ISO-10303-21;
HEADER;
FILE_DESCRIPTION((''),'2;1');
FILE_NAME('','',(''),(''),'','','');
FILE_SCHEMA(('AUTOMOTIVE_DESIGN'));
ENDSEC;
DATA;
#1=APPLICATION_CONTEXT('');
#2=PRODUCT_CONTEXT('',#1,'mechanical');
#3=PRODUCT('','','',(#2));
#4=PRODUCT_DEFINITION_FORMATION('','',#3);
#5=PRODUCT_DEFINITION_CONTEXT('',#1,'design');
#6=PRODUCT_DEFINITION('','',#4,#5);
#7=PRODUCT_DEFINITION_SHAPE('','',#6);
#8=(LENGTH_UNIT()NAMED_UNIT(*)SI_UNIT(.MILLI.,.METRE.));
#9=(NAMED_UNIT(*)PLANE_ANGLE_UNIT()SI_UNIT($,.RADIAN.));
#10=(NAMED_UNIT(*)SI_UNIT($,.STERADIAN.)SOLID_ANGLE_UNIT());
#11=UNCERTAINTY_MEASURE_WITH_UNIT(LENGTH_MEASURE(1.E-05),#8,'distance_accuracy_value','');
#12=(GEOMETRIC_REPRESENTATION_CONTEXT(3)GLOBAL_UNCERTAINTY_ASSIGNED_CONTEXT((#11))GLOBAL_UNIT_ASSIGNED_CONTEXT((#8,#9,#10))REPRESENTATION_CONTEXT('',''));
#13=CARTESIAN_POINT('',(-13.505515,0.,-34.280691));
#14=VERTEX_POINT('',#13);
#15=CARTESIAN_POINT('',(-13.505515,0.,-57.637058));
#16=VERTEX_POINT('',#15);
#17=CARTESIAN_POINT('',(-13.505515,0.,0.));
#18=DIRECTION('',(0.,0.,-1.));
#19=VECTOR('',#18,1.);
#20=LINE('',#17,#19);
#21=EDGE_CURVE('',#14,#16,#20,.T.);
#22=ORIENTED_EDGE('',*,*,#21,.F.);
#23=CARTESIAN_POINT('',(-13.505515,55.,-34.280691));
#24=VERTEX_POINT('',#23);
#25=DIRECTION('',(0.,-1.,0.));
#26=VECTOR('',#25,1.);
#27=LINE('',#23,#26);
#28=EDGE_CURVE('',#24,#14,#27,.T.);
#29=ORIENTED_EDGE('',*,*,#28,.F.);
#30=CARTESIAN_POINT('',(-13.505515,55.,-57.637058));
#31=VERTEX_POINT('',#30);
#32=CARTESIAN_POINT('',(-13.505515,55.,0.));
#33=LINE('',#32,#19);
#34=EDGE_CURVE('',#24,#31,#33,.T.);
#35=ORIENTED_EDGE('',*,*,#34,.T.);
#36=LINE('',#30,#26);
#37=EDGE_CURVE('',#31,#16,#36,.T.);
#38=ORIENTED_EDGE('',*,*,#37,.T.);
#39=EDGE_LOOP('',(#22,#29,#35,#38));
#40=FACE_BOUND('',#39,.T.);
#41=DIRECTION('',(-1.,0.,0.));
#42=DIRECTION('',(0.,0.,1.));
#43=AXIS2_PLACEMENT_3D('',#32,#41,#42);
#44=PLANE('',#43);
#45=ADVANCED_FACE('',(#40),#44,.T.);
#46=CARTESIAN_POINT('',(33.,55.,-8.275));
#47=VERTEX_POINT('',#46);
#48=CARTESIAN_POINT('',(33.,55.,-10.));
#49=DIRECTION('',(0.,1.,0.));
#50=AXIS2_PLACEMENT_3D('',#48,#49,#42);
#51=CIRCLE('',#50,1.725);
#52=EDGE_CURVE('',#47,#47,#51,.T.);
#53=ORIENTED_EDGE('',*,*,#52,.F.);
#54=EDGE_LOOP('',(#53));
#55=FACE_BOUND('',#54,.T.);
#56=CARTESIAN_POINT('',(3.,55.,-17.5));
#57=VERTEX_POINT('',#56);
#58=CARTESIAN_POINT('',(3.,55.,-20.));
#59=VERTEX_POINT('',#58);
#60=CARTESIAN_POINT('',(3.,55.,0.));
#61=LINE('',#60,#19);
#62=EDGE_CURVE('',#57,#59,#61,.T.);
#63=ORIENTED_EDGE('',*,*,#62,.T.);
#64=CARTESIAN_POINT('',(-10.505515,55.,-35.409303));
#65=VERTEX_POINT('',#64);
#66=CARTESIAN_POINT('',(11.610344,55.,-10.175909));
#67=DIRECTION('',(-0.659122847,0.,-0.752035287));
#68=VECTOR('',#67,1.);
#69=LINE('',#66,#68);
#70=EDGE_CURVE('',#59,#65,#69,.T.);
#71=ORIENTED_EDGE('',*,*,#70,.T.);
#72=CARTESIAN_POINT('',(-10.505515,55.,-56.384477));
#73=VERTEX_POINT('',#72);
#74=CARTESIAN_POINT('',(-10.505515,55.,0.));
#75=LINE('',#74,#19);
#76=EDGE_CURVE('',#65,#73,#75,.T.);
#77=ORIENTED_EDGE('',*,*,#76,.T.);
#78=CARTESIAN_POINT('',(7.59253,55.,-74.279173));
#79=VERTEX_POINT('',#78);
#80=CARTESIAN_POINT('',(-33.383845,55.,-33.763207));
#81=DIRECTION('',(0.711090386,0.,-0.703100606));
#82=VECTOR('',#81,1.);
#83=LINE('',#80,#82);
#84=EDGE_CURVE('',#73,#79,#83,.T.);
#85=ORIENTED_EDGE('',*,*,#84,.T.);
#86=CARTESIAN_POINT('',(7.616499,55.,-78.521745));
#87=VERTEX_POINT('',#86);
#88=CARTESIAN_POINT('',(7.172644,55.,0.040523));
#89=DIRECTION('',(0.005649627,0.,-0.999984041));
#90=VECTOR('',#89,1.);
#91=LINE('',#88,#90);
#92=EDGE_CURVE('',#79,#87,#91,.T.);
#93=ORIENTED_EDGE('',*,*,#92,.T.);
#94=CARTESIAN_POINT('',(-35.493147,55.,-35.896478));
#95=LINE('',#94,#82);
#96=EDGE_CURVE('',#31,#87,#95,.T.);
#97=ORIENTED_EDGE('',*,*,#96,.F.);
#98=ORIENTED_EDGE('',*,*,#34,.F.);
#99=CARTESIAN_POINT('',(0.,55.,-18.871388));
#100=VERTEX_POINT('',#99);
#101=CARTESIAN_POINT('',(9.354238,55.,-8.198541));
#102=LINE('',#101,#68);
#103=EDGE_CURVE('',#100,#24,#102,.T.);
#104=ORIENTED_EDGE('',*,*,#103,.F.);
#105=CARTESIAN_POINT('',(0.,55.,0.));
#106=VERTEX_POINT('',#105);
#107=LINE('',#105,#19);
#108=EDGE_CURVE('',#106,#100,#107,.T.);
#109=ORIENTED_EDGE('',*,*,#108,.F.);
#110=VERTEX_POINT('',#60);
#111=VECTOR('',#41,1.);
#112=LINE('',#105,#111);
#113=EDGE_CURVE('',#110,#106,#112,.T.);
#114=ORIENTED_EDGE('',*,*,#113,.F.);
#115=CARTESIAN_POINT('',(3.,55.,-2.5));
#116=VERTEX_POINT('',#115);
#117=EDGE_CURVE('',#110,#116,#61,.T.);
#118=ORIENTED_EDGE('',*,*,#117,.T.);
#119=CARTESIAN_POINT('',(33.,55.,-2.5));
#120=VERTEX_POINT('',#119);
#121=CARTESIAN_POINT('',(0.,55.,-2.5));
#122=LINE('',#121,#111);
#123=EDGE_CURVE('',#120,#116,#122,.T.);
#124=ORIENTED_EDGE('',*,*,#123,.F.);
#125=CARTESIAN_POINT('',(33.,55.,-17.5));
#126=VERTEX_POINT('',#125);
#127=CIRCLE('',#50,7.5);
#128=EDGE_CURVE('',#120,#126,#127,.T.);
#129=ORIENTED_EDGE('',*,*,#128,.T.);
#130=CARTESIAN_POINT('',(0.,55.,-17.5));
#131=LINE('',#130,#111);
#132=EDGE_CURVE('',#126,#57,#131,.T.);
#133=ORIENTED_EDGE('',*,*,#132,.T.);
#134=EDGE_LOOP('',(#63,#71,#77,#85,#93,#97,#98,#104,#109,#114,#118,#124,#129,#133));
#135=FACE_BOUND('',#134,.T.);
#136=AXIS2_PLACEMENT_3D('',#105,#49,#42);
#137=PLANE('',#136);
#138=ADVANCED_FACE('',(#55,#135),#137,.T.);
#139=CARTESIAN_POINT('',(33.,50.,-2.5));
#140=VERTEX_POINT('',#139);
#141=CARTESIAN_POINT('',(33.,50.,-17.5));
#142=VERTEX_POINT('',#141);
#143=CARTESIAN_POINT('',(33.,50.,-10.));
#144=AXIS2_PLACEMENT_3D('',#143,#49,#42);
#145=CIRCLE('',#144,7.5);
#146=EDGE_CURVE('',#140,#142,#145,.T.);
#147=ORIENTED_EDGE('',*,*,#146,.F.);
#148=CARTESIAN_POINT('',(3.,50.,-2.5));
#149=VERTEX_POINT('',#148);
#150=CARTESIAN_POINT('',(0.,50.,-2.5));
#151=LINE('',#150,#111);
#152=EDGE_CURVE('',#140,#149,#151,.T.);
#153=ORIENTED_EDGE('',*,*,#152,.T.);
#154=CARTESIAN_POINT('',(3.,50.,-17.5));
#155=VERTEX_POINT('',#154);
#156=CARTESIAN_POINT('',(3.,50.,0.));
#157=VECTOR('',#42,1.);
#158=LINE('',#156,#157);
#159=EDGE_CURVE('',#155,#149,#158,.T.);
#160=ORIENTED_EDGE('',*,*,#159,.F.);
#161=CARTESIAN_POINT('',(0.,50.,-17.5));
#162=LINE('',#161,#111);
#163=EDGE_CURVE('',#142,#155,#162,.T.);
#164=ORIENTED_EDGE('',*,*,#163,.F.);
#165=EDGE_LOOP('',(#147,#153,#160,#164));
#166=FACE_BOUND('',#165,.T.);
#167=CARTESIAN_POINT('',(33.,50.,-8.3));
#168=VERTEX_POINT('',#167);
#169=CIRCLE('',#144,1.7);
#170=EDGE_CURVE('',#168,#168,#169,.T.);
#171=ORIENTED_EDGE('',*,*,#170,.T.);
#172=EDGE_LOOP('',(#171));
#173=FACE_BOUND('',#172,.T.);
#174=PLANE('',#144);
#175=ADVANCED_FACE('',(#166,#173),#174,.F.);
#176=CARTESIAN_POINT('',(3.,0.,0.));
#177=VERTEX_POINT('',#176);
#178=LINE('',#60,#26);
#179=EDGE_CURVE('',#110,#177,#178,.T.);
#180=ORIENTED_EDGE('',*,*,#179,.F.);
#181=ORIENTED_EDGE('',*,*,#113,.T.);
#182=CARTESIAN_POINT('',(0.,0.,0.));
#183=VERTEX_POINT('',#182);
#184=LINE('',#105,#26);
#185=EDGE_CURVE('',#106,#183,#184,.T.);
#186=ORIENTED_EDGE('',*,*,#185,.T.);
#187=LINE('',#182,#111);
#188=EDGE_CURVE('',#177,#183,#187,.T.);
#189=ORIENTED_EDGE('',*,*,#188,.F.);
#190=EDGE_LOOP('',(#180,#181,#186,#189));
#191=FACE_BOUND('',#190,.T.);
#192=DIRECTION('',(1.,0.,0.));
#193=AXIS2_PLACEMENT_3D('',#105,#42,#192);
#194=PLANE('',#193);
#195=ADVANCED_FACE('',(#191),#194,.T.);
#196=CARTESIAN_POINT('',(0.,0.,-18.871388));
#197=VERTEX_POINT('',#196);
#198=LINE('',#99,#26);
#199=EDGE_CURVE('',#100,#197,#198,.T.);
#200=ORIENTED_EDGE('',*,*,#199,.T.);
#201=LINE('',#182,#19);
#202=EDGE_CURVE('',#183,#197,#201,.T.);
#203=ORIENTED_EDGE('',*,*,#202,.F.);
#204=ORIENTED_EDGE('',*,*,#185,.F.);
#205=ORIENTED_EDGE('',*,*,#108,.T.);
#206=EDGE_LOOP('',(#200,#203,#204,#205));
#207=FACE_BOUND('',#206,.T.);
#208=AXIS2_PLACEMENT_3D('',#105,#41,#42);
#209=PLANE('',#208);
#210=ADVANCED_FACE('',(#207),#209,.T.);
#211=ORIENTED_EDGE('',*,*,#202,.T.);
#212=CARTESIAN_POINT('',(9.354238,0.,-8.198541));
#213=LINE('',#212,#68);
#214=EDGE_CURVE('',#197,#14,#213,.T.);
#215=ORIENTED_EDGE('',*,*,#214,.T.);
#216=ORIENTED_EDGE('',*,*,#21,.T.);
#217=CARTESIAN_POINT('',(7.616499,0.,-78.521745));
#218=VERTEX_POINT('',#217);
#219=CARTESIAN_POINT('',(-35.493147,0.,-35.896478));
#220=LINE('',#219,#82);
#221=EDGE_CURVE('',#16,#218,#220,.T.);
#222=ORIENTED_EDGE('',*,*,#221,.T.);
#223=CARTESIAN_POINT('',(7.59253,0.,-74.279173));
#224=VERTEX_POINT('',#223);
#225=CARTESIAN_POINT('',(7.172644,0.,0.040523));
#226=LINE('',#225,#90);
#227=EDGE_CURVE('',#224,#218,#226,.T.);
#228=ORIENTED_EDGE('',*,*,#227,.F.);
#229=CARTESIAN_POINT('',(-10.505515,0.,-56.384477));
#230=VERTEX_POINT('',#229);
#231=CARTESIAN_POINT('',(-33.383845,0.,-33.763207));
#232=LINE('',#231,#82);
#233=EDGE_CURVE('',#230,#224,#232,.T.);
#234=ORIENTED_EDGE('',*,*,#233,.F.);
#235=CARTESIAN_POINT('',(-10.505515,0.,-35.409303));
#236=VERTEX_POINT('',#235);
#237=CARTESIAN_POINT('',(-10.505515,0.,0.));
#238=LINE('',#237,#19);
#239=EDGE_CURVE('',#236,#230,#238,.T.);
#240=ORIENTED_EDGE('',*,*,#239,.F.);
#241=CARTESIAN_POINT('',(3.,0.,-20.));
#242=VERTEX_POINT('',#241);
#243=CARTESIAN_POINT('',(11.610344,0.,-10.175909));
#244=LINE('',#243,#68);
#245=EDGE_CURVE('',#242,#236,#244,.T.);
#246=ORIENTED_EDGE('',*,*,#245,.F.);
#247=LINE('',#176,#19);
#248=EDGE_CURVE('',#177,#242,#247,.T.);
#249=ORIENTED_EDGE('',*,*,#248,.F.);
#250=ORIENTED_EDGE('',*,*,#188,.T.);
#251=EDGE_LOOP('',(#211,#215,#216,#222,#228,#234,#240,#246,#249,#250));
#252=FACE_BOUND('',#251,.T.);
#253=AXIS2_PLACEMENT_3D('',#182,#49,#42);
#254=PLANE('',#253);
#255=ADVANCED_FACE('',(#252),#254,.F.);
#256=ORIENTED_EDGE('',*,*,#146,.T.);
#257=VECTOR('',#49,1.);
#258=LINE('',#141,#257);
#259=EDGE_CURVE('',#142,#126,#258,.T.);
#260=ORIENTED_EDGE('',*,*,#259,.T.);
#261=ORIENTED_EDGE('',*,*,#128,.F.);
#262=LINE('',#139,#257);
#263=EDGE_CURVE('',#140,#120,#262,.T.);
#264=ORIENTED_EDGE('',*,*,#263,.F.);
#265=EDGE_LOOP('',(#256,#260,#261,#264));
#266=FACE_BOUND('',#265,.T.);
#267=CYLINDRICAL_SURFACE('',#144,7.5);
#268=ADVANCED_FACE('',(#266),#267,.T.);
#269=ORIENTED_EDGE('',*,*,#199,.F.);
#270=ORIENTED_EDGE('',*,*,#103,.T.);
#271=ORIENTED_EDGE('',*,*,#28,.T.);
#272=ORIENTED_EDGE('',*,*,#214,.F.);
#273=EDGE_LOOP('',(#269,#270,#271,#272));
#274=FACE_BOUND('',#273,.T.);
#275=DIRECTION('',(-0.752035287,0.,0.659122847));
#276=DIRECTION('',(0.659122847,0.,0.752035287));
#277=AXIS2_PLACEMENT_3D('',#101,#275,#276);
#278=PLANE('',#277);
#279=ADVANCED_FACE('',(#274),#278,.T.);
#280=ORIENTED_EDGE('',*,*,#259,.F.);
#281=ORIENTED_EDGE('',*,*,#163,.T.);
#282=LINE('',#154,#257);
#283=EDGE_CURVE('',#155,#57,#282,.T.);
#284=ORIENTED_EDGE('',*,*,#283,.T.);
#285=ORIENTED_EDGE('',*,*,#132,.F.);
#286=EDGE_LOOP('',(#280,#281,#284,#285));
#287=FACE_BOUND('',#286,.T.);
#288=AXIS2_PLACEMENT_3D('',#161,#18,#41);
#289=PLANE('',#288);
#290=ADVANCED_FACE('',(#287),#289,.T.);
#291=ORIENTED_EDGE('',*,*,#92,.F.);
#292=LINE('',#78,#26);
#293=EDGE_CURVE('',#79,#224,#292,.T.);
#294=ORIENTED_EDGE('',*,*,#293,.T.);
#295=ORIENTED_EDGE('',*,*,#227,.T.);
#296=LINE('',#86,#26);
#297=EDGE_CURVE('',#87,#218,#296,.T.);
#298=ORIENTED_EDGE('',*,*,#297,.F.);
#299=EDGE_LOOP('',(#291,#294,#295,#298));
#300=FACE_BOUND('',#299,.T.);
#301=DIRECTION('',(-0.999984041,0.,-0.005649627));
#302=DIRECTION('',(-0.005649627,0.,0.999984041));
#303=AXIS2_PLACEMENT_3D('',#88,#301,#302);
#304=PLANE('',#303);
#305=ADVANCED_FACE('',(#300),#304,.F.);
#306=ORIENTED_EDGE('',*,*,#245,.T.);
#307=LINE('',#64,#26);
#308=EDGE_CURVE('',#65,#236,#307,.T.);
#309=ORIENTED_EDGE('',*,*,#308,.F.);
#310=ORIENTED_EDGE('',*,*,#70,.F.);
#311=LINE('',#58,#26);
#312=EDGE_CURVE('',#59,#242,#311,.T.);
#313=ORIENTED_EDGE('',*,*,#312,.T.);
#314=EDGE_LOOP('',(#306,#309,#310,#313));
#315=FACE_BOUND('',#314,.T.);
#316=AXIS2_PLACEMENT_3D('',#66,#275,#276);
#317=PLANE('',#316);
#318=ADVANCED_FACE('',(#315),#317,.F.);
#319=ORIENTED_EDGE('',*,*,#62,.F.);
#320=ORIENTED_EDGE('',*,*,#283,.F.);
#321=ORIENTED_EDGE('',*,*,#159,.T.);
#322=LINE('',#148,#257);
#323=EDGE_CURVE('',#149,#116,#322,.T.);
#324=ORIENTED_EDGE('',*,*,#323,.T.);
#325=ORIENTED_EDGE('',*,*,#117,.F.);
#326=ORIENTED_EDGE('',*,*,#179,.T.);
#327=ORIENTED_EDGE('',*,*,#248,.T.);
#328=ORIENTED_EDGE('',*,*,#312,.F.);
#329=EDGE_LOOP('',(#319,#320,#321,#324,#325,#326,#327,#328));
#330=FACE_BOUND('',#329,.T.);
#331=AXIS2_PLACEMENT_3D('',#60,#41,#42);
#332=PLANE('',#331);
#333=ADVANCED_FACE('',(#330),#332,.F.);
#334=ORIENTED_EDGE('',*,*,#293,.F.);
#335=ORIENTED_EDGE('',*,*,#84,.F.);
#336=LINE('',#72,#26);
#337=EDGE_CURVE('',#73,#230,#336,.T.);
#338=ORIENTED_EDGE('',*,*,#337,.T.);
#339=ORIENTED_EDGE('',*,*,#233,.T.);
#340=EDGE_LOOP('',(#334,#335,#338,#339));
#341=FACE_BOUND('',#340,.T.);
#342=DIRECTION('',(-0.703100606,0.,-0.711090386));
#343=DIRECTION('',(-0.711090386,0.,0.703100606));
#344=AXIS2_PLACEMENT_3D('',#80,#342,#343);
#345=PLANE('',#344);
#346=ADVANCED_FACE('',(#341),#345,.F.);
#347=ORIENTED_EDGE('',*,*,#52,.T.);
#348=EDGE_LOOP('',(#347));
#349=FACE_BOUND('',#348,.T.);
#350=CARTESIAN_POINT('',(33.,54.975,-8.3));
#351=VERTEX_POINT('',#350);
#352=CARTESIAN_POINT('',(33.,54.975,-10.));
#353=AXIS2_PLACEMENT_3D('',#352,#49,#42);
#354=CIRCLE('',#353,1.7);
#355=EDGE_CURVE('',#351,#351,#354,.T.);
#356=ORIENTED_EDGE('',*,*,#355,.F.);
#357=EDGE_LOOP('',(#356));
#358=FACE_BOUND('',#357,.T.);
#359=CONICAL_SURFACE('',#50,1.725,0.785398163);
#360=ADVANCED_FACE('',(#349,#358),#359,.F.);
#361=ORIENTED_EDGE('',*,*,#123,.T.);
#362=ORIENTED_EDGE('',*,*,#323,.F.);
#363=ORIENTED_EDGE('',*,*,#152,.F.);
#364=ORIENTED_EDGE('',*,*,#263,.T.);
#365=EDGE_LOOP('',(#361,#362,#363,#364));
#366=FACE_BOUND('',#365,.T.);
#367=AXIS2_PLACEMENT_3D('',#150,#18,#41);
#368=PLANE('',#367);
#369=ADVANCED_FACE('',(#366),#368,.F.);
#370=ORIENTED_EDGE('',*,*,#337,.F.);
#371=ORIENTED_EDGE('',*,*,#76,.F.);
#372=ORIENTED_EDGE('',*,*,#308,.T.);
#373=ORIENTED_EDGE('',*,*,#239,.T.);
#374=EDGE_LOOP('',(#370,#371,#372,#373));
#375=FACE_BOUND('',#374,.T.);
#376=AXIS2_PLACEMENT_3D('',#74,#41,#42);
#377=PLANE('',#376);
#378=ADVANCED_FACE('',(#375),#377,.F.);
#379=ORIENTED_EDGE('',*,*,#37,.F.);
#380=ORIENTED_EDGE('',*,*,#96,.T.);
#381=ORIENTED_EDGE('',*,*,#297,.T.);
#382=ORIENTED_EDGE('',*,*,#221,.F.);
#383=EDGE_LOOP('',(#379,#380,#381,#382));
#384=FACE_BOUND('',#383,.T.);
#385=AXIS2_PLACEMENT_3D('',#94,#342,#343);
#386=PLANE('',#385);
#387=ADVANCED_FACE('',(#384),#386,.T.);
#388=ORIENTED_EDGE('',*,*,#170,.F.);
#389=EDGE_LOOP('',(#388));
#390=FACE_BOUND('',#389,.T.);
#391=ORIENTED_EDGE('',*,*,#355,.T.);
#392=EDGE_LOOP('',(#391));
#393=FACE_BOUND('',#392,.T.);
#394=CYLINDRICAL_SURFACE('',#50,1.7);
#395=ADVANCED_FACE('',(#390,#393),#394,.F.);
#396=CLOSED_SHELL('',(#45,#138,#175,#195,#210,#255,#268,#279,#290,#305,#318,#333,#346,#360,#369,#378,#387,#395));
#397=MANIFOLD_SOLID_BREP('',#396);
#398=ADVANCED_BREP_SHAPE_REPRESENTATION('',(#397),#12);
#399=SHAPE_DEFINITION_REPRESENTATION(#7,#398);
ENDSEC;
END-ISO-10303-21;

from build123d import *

# Parameters (mm, degrees)
BOSS_EXTRUDE1_DEPTH            = 55
BOSS_EXTRUDE2_START            = 55
BOSS_EXTRUDE2_DEPTH            = 5
M3_CLEARANCE_HOLE1_D           = 3.4
M3_CLEARANCE_HOLE1_CSINK_D     = 3.45
M3_CLEARANCE_HOLE1_CSINK_ANGLE = 90


with BuildPart() as part:
    # Sketch1 → Boss-Extrude1 (new body)
    with BuildSketch(Plane(origin=(0, 0, 0), x_dir=(1, 0, 0), z_dir=(0, 1, 0))):
        Polygon((3, 0), (0, 0), (0, 18.87138772), (-13.505514799, 34.280690781), (-13.505514799, 57.637057616), (7.616499063, 78.521745479), (7.592529724, 74.279172502), (-10.505514799, 56.384476794), (-10.505514799, 35.409303061), (3, 20), align=None)
    extrude(amount=BOSS_EXTRUDE1_DEPTH)

    # Sketch1<3> → Boss-Extrude2 (add)
    with BuildSketch(Plane(origin=(0, 0, 0), x_dir=(1, 0, 0), z_dir=(0, 1, 0)).offset(BOSS_EXTRUDE2_START)):
        with BuildLine():
            Line((3, 17.5), (3, 2.5))
            Line((3, 2.5), (33, 2.5))
            ThreePointArc((33, 2.5), (40.5, 10), (33, 17.5))
            Line((33, 17.5), (3, 17.5))
        make_face()
    extrude(amount=-BOSS_EXTRUDE2_DEPTH)

    # M3 Clearance Hole1 (through all)
    with Locations(Plane(origin=(0, 55, 0), x_dir=(1, 0, 0), z_dir=(0, 1, 0))):
        with Locations((33, 10)):
            CounterSinkHole(M3_CLEARANCE_HOLE1_D / 2, M3_CLEARANCE_HOLE1_CSINK_D / 2, counter_sink_angle=M3_CLEARANCE_HOLE1_CSINK_ANGLE)


solid = part.part
